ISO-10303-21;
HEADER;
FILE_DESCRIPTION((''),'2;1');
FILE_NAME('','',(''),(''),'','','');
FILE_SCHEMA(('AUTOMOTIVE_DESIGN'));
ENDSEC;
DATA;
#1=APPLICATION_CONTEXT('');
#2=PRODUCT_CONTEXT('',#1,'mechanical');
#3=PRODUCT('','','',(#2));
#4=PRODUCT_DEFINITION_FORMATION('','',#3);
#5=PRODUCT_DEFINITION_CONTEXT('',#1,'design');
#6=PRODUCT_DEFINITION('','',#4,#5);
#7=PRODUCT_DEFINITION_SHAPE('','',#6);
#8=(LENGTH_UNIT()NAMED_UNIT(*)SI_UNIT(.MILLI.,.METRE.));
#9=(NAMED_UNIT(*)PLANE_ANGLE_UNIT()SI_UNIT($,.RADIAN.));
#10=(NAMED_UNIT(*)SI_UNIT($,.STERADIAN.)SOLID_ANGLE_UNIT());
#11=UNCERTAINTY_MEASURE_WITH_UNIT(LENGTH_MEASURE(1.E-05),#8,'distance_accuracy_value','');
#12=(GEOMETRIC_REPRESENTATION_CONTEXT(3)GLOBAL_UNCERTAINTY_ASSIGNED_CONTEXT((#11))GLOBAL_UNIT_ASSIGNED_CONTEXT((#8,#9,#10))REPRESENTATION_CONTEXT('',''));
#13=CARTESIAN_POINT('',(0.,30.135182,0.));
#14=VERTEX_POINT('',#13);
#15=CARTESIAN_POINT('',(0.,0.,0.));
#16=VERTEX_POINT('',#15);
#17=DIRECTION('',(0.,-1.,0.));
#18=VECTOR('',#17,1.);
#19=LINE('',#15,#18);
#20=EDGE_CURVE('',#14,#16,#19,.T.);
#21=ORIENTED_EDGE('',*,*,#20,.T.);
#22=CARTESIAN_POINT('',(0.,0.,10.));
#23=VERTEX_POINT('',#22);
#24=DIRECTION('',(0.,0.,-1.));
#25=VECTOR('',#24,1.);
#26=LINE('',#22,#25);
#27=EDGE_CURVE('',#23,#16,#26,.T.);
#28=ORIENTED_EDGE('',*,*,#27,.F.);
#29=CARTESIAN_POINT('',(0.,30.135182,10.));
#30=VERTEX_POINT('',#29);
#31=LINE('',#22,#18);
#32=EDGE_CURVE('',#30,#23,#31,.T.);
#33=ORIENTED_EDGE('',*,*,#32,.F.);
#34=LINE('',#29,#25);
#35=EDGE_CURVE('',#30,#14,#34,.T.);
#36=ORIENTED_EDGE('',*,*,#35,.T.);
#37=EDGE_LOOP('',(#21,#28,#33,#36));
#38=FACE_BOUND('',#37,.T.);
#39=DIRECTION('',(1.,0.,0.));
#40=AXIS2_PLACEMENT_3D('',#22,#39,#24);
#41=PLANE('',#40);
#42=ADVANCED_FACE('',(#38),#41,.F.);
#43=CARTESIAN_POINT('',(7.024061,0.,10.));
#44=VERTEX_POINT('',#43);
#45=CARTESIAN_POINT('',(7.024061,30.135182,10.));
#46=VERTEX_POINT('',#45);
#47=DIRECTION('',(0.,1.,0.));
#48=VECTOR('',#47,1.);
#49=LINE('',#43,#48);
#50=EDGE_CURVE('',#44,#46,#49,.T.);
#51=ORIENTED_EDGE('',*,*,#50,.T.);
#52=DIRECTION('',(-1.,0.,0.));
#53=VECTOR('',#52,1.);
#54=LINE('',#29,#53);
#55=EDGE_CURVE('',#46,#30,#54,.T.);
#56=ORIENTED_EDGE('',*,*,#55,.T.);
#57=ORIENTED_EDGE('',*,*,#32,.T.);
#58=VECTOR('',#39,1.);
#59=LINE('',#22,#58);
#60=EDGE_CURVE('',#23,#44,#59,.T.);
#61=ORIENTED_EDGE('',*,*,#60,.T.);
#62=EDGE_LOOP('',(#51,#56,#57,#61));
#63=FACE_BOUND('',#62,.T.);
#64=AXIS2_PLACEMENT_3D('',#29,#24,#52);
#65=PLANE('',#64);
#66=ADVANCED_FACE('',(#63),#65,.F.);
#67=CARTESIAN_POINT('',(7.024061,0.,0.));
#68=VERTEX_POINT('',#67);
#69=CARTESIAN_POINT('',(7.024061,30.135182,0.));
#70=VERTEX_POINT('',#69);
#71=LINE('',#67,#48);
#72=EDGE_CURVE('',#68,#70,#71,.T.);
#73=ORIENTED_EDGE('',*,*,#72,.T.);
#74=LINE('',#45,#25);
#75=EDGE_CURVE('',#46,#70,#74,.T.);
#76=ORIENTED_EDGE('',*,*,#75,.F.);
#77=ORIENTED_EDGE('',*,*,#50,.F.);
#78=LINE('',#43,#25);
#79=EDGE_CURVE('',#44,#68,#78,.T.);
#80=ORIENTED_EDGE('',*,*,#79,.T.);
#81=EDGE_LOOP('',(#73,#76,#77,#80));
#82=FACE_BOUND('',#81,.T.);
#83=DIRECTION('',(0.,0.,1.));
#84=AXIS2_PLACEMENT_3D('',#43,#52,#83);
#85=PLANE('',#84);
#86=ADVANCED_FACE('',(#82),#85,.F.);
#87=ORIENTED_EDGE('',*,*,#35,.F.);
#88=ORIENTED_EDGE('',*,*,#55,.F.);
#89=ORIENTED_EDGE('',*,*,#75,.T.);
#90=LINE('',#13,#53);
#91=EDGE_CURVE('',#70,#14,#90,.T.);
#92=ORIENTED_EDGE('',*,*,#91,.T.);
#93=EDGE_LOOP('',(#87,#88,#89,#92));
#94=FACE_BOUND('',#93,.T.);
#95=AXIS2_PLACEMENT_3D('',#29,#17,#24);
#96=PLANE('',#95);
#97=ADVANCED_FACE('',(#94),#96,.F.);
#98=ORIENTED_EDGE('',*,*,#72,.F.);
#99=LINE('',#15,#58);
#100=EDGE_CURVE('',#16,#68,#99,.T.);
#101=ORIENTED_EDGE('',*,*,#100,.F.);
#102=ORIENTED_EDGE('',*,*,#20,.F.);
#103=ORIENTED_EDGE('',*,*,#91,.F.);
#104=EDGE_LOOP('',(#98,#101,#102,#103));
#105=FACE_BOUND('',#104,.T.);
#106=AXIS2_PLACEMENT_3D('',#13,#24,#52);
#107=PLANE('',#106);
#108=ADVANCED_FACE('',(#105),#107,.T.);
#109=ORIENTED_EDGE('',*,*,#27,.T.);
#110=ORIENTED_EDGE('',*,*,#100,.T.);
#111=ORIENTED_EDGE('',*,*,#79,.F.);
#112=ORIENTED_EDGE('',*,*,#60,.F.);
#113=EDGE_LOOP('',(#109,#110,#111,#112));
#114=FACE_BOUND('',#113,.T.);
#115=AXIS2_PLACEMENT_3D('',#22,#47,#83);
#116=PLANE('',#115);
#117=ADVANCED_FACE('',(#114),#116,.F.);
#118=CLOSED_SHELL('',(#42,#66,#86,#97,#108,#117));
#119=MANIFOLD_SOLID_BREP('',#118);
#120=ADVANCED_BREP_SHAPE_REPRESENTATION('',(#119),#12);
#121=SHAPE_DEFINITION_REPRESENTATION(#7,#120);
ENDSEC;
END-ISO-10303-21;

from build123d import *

# Parameters (mm, degrees)
ESQUISSE1_W      = 7.024060517
ESQUISSE1_H      = 30.135181644
EXTRUSION1_DEPTH = 10


with BuildPart() as part:
    # Esquisse1 → Extrusion1 (new body)
    with BuildSketch(Plane.XY):
        with Locations((3.512030259, 15.067590822)):
            Rectangle(ESQUISSE1_W, ESQUISSE1_H)
    extrude(amount=EXTRUSION1_DEPTH)


solid = part.part
